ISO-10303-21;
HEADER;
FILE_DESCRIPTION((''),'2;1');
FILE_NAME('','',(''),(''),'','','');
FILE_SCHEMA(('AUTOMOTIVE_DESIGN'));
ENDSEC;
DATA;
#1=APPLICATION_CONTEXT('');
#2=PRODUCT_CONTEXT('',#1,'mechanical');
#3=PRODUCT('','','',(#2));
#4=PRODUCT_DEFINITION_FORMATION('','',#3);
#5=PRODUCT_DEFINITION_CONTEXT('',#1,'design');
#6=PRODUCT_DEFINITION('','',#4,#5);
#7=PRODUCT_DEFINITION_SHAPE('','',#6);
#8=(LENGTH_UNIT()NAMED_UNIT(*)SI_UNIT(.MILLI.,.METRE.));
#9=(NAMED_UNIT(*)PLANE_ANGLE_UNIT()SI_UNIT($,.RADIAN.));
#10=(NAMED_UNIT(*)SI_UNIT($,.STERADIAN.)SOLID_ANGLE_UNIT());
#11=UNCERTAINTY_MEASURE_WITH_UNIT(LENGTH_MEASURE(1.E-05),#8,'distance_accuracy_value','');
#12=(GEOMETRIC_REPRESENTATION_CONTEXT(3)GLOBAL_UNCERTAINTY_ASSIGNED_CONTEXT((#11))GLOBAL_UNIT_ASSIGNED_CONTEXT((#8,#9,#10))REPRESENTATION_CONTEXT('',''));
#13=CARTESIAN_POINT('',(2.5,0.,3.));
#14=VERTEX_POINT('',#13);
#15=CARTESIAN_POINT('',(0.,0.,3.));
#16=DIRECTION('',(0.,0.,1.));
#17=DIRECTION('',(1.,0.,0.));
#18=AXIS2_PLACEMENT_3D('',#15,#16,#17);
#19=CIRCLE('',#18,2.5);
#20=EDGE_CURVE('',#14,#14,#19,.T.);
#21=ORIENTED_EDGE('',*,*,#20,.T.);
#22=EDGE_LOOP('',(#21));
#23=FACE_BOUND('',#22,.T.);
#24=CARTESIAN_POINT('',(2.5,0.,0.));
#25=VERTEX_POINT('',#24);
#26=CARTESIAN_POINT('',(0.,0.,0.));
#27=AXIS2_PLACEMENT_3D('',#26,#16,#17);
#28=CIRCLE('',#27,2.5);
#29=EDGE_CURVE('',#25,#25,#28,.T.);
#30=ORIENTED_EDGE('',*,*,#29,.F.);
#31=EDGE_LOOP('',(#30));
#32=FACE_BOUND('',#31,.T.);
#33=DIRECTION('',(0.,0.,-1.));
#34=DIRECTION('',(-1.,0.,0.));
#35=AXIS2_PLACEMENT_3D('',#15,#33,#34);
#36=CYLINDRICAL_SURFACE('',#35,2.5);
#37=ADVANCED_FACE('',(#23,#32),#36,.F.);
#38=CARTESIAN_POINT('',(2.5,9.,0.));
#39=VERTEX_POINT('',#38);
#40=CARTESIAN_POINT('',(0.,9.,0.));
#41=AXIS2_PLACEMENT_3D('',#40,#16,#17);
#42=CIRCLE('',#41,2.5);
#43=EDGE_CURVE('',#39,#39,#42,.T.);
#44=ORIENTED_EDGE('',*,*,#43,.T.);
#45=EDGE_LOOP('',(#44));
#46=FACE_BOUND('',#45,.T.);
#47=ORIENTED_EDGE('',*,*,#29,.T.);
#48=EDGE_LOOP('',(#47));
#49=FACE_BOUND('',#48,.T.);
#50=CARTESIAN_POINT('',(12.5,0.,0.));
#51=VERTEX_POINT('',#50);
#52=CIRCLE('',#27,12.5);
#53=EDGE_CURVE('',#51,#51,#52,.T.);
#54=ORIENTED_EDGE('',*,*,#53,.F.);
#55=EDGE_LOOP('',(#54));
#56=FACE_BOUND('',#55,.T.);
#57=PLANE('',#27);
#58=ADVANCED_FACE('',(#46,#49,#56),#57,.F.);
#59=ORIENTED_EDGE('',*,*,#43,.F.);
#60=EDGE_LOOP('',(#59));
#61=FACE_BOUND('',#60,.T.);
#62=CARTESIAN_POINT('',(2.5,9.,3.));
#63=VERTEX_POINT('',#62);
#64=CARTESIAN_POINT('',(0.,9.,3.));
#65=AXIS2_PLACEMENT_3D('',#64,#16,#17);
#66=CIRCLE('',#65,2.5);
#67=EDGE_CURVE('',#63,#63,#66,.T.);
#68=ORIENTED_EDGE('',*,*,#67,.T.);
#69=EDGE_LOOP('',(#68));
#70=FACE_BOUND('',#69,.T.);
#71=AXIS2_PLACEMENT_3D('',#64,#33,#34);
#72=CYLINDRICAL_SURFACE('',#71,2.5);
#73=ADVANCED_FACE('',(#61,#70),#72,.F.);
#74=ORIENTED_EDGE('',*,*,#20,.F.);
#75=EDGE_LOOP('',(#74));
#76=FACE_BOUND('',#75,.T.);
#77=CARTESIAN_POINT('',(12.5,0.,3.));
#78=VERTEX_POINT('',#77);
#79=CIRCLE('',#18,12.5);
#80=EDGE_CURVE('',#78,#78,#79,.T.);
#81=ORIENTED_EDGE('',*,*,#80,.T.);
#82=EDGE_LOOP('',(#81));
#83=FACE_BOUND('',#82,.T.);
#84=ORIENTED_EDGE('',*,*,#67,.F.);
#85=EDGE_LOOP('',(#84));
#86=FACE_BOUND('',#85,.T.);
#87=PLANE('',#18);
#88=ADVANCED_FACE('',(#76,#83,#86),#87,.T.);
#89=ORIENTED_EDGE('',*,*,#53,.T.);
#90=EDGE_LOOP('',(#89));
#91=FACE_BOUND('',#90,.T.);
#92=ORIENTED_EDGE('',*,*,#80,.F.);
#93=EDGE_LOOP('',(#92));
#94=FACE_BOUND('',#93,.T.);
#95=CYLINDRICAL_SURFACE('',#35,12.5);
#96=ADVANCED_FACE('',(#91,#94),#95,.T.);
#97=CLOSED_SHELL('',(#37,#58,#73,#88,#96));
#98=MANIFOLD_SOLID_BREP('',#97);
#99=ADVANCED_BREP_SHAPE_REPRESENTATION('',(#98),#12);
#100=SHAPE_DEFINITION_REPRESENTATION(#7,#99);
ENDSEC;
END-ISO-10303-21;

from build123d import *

# Parameters (mm, degrees)
SKETCH_1_R      = 12.5
SKETCH_1_R_2    = 2.5
EXTRUDE_1_DEPTH = 3


with BuildPart() as part:
    # 草圖1 → 填料-伸長1 (new body)
    with BuildSketch(Plane.XY):
        Circle(SKETCH_1_R)
        Circle(SKETCH_1_R_2, mode=Mode.SUBTRACT)
        with Locations((0, 9)):
            Circle(SKETCH_1_R_2, mode=Mode.SUBTRACT)
    extrude(amount=EXTRUDE_1_DEPTH)


solid = part.part
